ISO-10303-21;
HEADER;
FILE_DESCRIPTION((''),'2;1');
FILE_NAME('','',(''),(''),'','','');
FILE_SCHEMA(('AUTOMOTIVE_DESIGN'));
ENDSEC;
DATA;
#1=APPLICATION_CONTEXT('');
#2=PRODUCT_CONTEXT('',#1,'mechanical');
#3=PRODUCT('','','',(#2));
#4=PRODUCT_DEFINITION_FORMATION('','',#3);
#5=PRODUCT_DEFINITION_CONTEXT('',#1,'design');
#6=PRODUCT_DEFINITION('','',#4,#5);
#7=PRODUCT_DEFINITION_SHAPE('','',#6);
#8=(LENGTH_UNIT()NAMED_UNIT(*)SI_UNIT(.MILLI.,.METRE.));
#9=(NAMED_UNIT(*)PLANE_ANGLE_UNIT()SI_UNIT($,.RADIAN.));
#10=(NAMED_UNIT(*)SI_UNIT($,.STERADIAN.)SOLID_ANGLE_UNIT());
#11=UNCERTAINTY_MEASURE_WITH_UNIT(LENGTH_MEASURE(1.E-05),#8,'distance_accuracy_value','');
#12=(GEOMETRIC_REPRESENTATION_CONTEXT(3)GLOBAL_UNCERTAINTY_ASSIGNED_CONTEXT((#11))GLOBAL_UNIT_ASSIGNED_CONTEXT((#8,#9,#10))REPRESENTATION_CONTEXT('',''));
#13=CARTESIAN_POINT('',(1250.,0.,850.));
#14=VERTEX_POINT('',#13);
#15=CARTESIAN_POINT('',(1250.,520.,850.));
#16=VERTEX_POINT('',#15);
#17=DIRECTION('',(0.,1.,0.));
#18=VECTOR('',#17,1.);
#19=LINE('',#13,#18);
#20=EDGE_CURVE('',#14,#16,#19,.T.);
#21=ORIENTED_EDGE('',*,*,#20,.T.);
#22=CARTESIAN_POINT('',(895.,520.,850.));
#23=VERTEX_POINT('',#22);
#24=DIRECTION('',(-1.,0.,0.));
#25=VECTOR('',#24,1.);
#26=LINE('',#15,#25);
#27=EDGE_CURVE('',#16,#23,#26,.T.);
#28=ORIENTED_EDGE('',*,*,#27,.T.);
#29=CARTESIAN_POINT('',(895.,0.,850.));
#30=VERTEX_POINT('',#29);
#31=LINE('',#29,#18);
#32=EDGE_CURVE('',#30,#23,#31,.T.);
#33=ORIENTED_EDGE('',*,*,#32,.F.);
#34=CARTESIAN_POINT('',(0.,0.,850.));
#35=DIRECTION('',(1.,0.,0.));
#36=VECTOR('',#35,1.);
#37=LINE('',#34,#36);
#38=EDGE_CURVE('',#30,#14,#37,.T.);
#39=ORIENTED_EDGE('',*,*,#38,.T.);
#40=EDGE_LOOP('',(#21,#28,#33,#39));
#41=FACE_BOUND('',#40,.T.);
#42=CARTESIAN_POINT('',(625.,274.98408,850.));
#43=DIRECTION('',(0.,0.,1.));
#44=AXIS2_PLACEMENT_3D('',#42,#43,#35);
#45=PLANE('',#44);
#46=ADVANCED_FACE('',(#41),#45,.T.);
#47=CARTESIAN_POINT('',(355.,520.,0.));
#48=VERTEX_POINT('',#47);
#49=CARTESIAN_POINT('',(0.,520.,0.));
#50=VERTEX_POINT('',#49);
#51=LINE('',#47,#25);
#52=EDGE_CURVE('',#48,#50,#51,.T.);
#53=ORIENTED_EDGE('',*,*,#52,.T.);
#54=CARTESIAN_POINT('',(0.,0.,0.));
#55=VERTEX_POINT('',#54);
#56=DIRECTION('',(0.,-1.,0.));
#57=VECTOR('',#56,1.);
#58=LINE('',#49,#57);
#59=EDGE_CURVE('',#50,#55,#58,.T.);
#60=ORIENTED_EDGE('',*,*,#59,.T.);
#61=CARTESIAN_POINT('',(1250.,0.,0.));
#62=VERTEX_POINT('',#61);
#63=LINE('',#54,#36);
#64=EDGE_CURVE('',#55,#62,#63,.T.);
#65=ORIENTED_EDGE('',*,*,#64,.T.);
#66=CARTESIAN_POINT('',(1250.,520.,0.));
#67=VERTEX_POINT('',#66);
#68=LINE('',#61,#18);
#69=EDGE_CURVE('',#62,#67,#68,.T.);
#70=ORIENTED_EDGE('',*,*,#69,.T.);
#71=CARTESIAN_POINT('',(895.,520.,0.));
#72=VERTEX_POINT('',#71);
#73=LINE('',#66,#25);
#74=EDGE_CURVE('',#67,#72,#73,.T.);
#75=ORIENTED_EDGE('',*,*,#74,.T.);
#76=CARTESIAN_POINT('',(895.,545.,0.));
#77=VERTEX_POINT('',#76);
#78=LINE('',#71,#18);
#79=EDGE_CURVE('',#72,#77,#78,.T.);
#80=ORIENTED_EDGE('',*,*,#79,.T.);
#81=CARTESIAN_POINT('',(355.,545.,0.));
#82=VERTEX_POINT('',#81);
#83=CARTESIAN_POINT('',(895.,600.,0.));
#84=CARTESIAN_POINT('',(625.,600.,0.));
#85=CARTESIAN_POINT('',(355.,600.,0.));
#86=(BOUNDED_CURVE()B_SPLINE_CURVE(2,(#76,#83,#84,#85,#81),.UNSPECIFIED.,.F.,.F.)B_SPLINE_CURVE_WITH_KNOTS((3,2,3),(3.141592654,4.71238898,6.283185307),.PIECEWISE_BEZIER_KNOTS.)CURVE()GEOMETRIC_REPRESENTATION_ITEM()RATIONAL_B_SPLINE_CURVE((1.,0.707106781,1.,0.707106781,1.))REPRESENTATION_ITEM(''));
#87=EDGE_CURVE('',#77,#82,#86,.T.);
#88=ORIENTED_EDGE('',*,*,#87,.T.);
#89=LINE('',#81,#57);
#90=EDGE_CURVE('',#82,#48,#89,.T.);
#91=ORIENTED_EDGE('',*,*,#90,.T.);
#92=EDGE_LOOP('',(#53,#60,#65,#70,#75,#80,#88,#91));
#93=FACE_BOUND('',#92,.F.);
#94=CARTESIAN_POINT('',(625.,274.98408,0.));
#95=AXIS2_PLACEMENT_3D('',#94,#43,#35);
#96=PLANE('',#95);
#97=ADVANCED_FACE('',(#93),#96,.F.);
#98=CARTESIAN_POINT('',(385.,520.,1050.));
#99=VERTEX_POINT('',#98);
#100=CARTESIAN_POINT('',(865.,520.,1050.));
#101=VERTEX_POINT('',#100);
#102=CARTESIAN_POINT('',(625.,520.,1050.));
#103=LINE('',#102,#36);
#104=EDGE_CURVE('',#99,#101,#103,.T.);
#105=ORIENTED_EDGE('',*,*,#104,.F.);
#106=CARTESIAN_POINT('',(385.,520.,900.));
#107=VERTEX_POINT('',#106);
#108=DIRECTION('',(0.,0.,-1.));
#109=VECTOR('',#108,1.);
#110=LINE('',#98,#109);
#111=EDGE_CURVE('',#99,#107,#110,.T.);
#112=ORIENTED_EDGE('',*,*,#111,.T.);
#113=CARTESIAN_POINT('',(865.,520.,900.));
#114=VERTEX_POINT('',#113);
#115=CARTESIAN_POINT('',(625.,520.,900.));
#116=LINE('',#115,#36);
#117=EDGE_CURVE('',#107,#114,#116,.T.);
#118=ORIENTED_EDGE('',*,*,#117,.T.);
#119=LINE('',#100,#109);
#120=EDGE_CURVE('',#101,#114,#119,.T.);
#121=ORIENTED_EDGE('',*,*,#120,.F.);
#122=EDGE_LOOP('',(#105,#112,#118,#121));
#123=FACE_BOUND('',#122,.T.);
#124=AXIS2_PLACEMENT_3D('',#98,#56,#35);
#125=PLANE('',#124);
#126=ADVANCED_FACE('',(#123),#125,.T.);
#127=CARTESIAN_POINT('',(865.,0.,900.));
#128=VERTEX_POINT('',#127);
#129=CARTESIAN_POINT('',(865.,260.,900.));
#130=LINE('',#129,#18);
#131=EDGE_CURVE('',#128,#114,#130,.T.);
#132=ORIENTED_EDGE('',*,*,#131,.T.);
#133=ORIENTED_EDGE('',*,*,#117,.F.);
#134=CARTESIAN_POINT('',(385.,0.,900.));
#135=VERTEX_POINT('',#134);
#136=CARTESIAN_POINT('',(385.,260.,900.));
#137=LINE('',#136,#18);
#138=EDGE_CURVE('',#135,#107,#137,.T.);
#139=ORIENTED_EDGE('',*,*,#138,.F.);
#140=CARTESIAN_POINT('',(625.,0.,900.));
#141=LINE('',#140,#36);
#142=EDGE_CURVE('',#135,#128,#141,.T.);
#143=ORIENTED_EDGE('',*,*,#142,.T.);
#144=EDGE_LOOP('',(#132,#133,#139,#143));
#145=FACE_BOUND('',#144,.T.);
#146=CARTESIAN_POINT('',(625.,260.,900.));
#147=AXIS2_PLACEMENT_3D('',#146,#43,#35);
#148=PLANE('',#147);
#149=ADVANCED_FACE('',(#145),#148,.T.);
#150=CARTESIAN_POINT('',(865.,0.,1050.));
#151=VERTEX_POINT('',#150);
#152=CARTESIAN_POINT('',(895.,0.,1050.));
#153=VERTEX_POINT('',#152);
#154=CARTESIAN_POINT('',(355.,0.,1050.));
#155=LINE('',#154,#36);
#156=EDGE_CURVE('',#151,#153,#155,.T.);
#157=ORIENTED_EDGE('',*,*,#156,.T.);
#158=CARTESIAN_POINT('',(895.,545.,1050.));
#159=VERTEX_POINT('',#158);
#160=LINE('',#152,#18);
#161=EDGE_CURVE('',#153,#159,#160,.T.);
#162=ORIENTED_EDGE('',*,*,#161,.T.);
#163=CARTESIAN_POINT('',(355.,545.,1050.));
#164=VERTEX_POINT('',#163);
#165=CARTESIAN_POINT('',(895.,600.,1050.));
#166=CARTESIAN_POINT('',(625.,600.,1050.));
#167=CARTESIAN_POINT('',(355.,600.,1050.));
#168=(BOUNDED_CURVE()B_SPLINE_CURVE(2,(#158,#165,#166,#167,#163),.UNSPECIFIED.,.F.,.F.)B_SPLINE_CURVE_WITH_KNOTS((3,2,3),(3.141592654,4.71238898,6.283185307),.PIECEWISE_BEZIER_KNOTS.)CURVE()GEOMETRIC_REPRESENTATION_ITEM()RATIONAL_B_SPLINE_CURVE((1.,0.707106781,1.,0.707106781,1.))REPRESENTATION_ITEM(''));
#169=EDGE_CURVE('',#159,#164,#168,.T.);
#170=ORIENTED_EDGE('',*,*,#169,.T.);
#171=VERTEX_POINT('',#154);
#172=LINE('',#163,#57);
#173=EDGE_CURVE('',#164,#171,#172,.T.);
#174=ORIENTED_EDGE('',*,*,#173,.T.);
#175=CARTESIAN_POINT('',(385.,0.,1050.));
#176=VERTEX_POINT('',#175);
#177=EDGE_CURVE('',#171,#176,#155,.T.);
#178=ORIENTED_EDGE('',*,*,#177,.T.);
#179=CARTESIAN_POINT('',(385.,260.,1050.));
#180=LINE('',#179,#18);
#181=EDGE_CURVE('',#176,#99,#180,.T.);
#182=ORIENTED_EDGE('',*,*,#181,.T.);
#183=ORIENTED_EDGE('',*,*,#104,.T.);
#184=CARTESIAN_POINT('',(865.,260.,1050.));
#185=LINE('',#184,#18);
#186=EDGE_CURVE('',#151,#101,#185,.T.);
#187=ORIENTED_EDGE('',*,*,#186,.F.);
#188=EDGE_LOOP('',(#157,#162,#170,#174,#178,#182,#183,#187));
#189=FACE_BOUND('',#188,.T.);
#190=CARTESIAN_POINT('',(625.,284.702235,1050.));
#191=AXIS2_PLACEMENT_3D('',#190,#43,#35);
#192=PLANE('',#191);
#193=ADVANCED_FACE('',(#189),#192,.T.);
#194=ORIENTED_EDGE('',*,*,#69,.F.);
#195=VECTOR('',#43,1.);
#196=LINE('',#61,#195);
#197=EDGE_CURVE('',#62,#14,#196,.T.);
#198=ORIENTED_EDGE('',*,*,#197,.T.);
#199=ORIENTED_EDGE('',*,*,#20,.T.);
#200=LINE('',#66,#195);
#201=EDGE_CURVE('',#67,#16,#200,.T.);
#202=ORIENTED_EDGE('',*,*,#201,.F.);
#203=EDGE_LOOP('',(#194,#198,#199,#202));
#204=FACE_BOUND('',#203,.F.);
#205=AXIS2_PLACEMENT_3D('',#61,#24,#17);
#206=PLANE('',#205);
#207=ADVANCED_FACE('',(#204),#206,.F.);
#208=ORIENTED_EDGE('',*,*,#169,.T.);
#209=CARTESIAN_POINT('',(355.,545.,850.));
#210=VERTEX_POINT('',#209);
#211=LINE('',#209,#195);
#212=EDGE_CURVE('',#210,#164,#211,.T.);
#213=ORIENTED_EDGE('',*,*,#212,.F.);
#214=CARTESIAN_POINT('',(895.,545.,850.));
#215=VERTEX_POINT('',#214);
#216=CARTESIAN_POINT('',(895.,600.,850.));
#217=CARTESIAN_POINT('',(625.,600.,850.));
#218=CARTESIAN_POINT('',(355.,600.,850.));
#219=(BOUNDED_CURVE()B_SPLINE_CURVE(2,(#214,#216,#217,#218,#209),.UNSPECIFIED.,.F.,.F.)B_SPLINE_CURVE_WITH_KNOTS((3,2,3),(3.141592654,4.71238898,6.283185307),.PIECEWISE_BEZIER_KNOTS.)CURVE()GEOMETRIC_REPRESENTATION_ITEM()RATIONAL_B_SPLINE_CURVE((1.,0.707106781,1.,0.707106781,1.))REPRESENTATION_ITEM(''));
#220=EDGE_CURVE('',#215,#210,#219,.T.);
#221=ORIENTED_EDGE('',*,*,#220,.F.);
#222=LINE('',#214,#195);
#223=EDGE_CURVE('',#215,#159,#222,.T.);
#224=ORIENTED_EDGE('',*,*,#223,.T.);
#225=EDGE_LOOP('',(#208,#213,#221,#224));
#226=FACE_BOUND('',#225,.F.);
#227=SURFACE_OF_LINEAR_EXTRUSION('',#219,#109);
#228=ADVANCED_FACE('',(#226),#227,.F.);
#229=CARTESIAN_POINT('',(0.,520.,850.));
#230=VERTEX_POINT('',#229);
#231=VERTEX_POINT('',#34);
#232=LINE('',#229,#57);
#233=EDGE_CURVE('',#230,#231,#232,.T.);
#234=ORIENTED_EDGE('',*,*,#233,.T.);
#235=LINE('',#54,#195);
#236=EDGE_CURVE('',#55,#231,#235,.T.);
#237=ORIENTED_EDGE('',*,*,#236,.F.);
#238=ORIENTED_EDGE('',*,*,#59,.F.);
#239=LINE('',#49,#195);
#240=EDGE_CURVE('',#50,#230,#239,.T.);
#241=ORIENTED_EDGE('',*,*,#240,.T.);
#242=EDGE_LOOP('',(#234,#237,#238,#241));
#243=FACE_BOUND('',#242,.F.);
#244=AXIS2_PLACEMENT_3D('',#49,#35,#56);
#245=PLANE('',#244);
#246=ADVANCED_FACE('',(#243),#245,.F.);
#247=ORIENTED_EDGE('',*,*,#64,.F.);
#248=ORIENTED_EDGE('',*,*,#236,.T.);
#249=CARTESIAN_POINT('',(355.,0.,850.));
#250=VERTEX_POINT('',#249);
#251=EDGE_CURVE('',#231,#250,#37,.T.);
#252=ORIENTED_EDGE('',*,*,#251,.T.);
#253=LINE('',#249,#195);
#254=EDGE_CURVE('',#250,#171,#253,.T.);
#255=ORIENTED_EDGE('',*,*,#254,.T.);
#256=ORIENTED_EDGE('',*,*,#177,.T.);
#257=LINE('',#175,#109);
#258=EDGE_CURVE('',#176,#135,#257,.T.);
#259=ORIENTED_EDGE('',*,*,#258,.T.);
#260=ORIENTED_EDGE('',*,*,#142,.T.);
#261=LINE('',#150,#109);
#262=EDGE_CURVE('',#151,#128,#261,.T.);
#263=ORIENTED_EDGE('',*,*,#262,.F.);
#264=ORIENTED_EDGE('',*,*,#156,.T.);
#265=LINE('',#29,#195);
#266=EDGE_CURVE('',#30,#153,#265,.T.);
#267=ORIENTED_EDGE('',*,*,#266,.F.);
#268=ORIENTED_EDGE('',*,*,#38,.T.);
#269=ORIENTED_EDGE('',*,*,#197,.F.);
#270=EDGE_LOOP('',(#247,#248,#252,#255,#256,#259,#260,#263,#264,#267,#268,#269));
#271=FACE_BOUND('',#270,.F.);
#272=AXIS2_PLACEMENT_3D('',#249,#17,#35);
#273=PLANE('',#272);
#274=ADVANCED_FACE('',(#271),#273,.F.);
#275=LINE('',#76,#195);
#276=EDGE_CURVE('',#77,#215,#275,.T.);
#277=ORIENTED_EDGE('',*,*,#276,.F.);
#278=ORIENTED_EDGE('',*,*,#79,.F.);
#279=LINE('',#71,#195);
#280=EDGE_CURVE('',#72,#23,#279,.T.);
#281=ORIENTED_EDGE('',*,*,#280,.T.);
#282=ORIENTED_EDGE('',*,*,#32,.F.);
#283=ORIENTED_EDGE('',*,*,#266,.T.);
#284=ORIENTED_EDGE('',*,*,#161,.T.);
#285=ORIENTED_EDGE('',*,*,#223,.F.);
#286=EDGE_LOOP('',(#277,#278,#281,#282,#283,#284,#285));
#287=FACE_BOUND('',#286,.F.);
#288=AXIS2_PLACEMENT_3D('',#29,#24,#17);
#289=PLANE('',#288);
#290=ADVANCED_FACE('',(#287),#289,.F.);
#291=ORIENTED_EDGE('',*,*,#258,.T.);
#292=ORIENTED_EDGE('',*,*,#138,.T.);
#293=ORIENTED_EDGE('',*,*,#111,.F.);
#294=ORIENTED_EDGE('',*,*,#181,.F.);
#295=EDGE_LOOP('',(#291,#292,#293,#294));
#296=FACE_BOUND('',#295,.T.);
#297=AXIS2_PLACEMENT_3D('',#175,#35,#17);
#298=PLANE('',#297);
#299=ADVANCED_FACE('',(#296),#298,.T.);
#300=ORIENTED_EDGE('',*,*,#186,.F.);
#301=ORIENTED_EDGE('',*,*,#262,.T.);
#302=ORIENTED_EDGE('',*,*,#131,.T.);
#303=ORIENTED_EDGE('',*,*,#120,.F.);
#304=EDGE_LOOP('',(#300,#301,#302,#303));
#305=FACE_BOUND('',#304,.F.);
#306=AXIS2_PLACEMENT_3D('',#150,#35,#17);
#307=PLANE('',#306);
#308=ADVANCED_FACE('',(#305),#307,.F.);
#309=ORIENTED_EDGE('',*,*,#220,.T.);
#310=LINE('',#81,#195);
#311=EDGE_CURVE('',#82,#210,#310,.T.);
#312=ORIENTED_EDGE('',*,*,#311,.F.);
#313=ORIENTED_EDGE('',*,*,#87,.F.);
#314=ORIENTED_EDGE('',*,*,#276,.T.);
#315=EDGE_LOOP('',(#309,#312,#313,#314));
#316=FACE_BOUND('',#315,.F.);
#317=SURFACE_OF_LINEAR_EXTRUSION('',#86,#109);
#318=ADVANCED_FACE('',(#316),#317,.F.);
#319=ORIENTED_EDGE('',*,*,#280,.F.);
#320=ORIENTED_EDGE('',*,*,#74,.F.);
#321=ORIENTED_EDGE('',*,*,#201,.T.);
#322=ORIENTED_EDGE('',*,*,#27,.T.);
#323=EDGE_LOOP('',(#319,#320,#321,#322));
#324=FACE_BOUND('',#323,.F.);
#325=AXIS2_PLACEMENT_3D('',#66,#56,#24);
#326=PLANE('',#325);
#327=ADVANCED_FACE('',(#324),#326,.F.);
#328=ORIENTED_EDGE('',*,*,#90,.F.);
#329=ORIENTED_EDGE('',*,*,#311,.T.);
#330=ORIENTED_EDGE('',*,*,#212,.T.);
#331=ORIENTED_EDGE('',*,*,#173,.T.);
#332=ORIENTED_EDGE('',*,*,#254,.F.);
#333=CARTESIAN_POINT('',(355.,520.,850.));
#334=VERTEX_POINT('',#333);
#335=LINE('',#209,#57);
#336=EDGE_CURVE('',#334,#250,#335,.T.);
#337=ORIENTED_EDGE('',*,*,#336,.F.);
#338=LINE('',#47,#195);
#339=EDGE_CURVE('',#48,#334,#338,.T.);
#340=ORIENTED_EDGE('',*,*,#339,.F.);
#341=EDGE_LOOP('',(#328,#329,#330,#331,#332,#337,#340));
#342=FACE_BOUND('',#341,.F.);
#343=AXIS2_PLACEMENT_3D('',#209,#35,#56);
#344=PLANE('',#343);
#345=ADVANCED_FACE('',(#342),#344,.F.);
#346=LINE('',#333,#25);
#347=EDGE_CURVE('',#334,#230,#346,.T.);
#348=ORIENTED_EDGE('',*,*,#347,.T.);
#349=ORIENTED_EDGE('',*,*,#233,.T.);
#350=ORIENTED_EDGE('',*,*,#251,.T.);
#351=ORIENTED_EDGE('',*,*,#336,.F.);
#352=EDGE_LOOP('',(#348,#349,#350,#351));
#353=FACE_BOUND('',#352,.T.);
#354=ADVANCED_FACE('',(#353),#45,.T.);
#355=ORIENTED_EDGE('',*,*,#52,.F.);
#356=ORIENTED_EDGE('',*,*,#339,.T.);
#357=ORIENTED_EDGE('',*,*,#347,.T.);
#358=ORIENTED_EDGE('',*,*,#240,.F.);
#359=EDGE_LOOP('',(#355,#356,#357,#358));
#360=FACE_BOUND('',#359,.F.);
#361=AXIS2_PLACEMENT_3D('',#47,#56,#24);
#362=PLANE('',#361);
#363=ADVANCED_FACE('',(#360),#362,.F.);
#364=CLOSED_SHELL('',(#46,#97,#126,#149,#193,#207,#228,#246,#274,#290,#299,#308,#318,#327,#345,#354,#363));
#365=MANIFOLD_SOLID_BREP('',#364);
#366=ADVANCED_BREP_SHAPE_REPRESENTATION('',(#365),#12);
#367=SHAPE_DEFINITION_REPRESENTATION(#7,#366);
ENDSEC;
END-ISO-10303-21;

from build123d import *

# Parameters (mm, degrees)
F1_DEPTH = 850
F3_DEPTH = 200
F4_W     = 480
F4_H     = 520
F5_DEPTH = 150


with BuildPart() as f1:
    # F0 (on Top) → F1 (new body)
    with BuildSketch(Plane.XY):
        with BuildLine():
            Line((0, 520), (0, 0))
            Line((0, 0), (1250, 0))
            Line((1250, 0), (1250, 520))
            Line((1250, 520), (895, 520))
            Line((895, 520), (895, 545))
            add(Edge.make_bspline(
                [(895, 545), (895, 600), (625, 600), (355, 600), (355, 545)],
                knots=[3.1415926536, 3.1415926536, 3.1415926536, 4.7123889804, 4.7123889804, 6.2831853072, 6.2831853072, 6.2831853072], degree=2, weights=[1, 0.7071067812, 1, 0.7071067812, 1]))
            Line((355, 545), (355, 520))
            Line((355, 520), (0, 520))
        make_face()
    extrude(amount=F1_DEPTH)

    # F2 (on face) → F3 (join)
    with BuildSketch(Plane.XY.offset(850)):
        with BuildLine():
            Line((895, 520), (895, 545))
            add(Edge.make_bspline(
                [(895, 545), (895, 600), (625, 600), (355, 600), (355, 545)],
                knots=[3.1415926536, 3.1415926536, 3.1415926536, 4.7123889804, 4.7123889804, 6.2831853072, 6.2831853072, 6.2831853072], degree=2, weights=[1, 0.7071067812, 1, 0.7071067812, 1]))
            Line((355, 545), (355, 520))
            Line((355, 520), (355, 0))
            Line((355, 0), (895, 0))
            Line((895, 0), (895, 520))
        make_face()
    extrude(amount=F3_DEPTH)

    # F4 (on face) → F5 (cut)
    with BuildSketch(Plane.XY.offset(1050)):
        with Locations((625, 260)):
            Rectangle(F4_W, F4_H)
    extrude(amount=-F5_DEPTH, mode=Mode.SUBTRACT)


solid = f1.part
